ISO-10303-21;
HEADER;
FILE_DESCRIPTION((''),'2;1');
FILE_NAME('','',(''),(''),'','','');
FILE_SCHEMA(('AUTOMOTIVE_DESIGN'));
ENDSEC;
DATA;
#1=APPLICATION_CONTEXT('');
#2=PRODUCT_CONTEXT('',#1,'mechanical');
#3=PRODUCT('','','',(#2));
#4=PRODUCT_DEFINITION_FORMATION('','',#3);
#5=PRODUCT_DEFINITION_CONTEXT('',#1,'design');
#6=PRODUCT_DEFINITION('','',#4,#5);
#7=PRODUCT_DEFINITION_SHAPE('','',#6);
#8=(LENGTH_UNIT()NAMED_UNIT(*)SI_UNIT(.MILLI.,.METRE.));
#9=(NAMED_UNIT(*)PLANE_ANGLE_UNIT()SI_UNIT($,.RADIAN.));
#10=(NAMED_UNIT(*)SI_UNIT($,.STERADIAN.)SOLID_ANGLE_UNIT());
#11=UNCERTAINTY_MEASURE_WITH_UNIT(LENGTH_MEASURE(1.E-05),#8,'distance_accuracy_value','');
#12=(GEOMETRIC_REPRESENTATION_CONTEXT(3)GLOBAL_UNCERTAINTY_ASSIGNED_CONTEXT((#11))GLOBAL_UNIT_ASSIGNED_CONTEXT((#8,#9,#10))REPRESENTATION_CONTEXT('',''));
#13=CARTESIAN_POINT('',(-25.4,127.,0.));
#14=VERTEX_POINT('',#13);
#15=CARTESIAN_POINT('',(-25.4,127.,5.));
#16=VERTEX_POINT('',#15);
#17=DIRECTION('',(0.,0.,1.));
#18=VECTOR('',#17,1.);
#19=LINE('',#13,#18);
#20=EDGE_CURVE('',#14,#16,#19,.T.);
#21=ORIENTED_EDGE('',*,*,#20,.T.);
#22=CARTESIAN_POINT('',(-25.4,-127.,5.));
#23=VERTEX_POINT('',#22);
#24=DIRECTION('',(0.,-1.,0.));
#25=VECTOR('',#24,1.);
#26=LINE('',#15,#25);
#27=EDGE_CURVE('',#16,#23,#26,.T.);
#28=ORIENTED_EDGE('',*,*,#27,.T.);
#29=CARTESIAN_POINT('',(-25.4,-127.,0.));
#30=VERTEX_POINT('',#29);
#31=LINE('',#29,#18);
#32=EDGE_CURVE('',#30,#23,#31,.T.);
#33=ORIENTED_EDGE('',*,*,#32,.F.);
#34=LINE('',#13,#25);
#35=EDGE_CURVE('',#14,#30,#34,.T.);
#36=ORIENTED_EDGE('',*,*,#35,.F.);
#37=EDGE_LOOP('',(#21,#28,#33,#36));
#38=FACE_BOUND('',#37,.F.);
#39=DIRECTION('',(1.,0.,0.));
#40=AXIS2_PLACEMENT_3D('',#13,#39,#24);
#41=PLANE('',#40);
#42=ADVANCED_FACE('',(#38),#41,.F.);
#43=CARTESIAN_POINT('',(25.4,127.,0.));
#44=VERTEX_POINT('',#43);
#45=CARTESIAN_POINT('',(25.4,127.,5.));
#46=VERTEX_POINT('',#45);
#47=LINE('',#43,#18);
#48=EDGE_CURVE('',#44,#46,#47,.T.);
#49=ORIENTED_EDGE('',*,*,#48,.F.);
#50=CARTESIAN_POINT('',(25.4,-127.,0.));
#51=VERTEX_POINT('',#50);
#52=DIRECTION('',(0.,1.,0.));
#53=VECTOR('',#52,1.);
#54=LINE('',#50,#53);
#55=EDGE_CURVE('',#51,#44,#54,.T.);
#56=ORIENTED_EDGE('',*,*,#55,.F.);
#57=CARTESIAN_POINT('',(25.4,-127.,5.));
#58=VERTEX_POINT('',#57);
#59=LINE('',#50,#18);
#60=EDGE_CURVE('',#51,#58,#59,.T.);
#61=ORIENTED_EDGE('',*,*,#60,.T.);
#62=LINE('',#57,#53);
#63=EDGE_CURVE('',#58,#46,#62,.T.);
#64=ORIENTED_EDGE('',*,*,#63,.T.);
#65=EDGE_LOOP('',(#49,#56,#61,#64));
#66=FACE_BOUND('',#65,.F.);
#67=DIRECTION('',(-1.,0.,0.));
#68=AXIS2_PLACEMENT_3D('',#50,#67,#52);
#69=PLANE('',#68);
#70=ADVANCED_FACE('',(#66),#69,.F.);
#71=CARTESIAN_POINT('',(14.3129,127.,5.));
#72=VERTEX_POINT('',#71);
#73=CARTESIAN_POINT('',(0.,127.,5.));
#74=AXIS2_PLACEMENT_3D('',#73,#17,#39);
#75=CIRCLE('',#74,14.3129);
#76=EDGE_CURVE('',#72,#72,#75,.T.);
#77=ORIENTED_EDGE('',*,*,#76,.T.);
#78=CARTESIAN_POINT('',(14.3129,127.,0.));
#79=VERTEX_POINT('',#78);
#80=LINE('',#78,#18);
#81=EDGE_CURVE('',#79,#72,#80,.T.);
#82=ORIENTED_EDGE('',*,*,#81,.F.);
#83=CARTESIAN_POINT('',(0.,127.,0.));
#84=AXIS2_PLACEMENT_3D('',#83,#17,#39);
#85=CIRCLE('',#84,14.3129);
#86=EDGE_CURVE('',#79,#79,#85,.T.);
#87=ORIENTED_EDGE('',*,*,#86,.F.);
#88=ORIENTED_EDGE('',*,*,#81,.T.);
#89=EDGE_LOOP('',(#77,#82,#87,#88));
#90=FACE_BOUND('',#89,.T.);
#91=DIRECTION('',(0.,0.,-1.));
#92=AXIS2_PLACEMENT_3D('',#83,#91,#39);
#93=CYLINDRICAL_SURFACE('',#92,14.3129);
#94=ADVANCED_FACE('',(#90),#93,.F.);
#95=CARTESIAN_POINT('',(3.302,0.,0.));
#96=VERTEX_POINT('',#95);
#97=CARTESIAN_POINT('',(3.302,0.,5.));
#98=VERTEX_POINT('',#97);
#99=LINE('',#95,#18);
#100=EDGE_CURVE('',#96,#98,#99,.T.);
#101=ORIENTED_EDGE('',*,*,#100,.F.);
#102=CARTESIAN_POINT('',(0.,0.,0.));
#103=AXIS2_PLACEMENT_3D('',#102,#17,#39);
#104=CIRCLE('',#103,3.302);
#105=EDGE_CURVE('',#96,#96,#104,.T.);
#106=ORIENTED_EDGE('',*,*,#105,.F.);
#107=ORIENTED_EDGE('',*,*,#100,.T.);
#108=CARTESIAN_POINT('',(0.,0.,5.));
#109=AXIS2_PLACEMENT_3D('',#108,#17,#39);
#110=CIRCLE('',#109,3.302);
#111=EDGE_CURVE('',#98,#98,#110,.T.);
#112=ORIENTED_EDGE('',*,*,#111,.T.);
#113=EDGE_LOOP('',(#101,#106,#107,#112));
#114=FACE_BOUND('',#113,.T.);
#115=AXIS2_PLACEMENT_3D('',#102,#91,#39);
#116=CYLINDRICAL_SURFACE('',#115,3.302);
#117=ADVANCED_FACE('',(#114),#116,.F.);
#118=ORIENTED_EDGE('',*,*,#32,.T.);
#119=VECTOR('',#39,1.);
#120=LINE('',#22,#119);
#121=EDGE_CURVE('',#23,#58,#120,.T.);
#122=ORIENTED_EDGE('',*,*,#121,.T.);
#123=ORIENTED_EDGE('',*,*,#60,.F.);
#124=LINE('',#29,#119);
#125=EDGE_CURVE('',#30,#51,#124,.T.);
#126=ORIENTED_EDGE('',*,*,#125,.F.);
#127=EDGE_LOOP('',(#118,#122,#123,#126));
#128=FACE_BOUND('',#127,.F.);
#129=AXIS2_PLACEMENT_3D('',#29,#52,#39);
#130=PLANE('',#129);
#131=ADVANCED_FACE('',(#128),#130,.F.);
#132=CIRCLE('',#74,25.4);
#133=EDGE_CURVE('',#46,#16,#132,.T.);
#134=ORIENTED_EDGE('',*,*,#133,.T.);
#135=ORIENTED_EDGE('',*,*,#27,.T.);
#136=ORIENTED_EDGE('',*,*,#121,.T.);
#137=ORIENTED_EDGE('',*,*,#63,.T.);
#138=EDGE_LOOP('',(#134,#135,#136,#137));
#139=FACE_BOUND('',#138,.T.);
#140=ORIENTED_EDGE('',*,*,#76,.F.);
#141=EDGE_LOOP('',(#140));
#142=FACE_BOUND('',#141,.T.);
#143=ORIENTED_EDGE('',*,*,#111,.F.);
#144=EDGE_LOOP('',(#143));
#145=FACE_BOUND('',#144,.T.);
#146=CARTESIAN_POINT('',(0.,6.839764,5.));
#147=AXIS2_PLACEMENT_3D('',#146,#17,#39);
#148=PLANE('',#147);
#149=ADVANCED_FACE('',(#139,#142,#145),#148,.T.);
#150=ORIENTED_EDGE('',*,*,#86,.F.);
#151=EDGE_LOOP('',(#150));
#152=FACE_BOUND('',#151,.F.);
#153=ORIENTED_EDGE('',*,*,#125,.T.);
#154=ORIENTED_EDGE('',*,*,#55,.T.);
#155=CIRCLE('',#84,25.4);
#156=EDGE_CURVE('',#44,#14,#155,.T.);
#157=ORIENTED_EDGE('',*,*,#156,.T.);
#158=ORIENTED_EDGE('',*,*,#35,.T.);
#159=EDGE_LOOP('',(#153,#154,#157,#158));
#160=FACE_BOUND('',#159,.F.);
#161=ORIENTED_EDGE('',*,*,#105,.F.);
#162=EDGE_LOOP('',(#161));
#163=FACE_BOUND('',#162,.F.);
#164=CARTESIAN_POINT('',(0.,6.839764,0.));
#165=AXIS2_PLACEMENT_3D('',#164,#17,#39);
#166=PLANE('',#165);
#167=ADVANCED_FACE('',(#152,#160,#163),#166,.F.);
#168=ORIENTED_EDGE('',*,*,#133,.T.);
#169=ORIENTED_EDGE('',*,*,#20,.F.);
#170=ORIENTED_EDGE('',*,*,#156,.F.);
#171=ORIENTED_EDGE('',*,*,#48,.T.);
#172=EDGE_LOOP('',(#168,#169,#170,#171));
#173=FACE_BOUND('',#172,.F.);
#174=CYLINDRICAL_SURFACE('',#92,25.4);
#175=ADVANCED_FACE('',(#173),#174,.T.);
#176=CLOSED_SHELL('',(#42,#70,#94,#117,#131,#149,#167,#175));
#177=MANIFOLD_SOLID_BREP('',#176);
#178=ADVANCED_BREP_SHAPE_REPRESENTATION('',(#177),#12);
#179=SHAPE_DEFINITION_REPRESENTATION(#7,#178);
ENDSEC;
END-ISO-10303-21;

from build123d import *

# Parameters (mm, degrees)
F0_R     = 3.302
F0_R_2   = 14.3129
F1_DEPTH = 5


with BuildPart() as f1:
    # F0 (on Top) → F1 (new body)
    with BuildSketch(Plane.XY):
        with BuildLine():
            Line((-25.4, -127), (25.4, -127))
            Line((25.4, -127), (25.4, 127))
            ThreePointArc((25.4, 127), (0, 152.4), (-25.4, 127))
            Line((-25.4, 127), (-25.4, -127))
        make_face()
        Circle(F0_R, mode=Mode.SUBTRACT)
        with Locations((0, 127)):
            Circle(F0_R_2, mode=Mode.SUBTRACT)
    extrude(amount=F1_DEPTH)


solid = f1.part
